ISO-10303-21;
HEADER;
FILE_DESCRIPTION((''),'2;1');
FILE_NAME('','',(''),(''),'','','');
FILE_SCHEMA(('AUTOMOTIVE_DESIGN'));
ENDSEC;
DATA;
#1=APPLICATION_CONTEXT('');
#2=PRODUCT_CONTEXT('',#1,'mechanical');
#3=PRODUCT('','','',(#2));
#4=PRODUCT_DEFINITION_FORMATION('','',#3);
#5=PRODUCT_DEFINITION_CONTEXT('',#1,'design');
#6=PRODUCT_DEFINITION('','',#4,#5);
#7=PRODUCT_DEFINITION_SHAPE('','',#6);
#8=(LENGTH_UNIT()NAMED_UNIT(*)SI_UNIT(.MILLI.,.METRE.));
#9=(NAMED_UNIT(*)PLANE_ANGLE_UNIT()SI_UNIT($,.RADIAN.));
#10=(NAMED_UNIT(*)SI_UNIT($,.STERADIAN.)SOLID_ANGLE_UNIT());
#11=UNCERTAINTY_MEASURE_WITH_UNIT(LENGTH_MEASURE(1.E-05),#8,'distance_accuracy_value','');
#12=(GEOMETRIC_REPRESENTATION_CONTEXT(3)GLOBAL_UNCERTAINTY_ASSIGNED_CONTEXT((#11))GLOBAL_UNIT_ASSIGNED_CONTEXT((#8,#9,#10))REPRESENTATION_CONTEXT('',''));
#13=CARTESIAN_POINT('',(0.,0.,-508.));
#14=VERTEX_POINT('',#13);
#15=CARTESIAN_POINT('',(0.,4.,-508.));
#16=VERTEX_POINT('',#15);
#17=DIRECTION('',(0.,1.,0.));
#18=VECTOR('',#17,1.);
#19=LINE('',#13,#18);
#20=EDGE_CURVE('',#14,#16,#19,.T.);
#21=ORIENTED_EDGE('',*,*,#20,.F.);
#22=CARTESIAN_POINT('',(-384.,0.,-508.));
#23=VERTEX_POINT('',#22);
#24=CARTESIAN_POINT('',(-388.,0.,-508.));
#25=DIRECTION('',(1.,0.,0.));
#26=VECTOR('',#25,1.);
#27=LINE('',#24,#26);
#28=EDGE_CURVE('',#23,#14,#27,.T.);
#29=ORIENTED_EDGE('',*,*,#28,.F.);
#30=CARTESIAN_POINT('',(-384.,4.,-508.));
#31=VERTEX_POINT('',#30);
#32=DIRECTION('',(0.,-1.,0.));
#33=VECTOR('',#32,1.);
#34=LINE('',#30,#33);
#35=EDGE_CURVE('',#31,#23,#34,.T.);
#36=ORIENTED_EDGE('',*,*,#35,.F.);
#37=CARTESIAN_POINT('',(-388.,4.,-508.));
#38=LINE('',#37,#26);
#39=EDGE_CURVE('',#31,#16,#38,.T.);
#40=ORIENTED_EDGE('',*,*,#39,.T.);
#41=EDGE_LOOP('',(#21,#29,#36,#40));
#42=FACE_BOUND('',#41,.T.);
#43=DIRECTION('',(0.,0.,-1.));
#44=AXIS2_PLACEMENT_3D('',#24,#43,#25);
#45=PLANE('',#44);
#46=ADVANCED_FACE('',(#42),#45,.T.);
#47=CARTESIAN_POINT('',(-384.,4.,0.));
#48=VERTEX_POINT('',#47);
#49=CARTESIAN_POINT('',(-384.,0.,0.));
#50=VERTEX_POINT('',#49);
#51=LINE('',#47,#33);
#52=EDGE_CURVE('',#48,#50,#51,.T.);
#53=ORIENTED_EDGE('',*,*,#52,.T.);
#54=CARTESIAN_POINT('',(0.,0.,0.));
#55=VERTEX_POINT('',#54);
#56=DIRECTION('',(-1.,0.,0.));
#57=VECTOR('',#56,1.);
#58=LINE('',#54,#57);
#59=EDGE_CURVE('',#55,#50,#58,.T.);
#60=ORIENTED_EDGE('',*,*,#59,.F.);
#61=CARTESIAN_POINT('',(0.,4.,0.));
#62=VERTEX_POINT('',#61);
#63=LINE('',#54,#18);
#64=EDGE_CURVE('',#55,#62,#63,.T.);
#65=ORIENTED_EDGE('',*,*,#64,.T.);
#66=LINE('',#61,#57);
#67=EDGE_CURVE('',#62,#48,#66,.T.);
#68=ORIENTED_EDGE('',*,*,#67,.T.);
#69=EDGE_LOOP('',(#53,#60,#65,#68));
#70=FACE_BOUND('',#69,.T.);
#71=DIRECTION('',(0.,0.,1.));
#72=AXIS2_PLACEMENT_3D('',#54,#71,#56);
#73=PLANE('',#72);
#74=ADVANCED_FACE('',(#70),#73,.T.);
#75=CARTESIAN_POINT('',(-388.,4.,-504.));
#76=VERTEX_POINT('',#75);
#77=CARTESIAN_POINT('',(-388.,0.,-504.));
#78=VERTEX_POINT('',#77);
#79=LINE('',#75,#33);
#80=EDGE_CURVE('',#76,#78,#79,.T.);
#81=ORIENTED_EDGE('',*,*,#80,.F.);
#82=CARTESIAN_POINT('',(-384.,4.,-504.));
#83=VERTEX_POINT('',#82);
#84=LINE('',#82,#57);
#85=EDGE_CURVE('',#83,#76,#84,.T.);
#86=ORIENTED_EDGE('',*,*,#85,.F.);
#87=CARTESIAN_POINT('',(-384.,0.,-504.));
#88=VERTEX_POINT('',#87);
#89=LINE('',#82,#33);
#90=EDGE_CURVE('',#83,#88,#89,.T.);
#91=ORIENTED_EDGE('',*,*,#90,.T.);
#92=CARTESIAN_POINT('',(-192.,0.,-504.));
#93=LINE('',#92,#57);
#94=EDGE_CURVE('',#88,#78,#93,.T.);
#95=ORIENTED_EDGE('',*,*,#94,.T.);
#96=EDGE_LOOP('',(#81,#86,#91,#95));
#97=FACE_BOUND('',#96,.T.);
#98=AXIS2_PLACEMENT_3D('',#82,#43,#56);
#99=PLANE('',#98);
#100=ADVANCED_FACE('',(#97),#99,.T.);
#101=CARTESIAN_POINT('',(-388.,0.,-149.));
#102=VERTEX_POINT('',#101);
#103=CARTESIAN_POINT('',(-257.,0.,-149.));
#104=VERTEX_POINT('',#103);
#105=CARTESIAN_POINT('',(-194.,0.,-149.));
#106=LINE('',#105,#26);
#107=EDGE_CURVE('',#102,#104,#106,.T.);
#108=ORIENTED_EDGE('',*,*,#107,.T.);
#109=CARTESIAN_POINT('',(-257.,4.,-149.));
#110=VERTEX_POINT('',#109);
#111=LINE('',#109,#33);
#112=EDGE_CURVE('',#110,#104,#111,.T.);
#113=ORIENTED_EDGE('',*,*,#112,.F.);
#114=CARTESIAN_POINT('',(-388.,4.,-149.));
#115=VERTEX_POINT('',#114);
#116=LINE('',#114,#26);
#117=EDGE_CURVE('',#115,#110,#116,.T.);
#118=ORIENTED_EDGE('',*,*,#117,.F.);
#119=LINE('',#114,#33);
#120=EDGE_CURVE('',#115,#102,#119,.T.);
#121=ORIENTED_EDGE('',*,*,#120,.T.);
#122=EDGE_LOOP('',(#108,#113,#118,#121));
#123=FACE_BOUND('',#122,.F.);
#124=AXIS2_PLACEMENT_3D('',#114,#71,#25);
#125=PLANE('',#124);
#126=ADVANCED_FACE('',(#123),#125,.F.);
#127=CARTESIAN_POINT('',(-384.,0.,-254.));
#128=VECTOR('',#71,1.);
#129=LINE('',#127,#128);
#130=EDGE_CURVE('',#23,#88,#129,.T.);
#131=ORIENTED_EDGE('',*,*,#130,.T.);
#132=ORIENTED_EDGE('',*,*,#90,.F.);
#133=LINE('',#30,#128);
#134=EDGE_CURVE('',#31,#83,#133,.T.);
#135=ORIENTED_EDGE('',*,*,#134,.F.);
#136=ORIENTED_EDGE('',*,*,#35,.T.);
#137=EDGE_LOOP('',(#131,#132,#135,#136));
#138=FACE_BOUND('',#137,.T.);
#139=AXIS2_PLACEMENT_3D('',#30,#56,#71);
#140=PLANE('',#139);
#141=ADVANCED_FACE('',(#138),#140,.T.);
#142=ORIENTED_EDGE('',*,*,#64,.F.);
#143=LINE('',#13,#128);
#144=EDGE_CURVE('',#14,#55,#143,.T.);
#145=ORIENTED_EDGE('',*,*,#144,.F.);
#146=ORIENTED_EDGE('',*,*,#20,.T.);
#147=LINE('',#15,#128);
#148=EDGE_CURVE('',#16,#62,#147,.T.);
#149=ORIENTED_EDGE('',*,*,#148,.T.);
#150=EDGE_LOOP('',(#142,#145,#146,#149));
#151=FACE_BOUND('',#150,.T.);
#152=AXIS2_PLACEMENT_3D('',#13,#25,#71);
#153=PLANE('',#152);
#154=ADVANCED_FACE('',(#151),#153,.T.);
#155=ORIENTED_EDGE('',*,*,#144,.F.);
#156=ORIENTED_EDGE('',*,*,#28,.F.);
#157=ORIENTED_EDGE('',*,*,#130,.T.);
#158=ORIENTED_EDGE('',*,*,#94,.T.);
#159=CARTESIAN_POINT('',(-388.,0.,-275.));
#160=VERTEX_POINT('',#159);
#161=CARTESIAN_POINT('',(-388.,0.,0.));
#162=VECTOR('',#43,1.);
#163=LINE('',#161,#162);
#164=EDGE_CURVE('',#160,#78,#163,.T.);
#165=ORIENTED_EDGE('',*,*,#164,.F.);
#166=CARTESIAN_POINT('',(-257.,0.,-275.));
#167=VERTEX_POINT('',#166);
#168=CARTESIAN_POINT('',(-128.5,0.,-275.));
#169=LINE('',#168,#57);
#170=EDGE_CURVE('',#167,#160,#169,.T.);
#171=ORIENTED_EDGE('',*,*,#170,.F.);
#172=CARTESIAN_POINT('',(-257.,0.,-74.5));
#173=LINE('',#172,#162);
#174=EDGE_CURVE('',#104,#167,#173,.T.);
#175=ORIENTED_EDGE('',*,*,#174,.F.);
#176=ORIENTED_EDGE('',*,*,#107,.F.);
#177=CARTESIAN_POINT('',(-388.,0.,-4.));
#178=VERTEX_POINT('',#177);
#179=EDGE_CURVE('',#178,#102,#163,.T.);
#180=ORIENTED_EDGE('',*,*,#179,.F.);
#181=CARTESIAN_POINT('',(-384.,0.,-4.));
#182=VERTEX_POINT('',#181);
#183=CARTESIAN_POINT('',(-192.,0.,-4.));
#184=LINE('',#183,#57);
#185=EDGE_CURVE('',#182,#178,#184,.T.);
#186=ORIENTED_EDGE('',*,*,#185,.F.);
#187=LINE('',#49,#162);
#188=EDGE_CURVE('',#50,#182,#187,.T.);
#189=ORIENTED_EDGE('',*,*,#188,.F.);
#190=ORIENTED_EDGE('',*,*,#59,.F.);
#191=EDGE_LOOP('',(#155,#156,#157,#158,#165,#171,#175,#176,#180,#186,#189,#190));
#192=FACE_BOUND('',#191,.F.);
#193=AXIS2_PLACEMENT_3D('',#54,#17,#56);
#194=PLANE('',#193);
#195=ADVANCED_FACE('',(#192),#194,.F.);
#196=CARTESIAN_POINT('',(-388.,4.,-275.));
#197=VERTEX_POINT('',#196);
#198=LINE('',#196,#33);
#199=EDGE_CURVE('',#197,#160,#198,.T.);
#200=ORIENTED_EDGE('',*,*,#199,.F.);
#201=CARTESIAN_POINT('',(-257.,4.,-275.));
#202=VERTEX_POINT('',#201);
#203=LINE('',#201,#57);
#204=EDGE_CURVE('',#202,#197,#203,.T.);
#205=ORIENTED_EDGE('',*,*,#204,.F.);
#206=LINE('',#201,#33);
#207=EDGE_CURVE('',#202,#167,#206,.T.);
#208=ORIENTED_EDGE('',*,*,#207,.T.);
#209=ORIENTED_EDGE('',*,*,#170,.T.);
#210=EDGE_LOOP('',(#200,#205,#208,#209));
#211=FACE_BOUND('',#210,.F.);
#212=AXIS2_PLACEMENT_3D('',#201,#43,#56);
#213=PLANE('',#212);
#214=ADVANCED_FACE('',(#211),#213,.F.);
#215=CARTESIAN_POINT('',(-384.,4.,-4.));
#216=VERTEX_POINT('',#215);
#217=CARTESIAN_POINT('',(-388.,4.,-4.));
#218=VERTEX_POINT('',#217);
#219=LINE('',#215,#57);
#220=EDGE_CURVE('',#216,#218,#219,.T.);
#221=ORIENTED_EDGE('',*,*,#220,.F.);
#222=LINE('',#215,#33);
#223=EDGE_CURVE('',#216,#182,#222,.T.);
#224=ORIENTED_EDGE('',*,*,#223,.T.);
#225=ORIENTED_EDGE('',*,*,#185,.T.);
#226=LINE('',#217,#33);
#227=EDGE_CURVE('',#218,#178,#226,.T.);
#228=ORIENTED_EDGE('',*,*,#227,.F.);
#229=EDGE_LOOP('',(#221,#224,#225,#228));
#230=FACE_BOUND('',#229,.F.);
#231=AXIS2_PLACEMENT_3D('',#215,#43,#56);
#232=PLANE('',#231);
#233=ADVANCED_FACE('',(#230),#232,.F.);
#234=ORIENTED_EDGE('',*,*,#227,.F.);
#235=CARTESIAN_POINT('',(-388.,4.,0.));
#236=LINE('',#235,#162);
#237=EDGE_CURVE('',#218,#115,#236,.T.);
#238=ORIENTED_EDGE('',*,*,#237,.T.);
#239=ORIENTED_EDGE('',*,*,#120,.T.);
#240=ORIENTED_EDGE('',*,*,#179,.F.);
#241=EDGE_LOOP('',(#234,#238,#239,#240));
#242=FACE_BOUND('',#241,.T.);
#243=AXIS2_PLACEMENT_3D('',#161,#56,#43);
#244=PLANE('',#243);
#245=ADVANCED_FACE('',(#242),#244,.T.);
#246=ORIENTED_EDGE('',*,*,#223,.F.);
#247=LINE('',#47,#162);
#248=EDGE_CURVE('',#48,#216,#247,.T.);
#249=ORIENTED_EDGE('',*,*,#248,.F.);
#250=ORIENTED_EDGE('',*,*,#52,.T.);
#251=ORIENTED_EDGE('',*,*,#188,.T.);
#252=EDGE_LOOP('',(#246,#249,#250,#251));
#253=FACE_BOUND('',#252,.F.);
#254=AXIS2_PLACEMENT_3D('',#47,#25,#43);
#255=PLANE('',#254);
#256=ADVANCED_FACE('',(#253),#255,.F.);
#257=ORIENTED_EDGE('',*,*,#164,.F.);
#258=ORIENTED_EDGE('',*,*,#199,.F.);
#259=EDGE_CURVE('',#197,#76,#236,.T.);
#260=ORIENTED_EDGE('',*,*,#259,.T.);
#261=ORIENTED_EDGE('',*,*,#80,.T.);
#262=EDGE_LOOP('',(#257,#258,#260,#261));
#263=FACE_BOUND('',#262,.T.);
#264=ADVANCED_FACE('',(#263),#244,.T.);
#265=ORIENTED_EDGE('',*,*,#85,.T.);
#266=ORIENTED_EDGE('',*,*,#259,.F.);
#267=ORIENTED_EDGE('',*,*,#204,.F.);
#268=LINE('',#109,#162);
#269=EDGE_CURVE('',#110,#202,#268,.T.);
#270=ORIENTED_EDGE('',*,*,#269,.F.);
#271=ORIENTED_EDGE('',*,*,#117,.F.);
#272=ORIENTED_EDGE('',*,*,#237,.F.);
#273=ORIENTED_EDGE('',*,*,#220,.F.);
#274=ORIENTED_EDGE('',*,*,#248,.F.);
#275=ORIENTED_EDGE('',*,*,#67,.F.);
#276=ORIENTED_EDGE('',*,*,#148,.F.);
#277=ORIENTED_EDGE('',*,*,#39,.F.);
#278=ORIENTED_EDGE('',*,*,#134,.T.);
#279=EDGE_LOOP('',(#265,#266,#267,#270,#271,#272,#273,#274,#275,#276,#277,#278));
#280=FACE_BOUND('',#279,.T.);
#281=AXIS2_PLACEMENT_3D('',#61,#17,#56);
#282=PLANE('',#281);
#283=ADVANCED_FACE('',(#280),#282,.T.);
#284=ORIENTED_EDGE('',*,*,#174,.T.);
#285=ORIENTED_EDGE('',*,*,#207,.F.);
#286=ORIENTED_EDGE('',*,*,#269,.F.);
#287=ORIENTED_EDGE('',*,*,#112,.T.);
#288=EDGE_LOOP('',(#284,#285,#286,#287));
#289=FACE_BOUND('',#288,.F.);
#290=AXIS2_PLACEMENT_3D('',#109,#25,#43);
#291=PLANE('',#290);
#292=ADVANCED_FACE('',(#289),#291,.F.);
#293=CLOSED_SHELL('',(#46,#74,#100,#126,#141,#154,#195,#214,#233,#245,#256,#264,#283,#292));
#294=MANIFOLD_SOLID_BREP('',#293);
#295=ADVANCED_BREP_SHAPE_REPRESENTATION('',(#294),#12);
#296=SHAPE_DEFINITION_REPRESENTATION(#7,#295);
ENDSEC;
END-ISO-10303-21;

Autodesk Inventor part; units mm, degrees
ref_plane "YZ Plane" through (0, 0, 0) normal (1, 0, 0) x (0, 1, 0)
ref_plane "XZ Plane" through (0, 0, 0) normal (0, 1, 0) x (-1, 0, 0)
ref_plane "XY Plane" through (0, 0, 0) normal (0, 0, 1) x (1, 0, 0)
sketch "Эскиз1" plane through (0, 0, 0) normal (0, 1, 0) x (-1, 0, 0)
  line L0 (0, 0) -> (388, 0)
  line L1 (388, 0) -> (388, -508)
  line L2 (388, -508) -> (0, -508)
  line L3 (0, -508) -> (0, 0)
  dimension "d0" = 388
  dimension "d1" = 508
extrude "Выдавливание1" add sketch "Эскиз1" along normal blind 4
sketch "Эскиз2" plane through (0, 4, 0) normal (0, 1, 0) x (1, 0, 0)
  line L0 (-388, 508) -> (-388, 0) projected
  line L1 (-388, 149) -> (-257, 149)
  line L2 (-257, 149) -> (-257, 275)
  line L3 (-257, 275) -> (-388, 275)
  line L4 (-388, 275) -> (-388, 149)
  line L5 (0, 0) -> (-5, 0)
  line L6 (-388, 0) -> (0, 0) projected
  line L7 (-388, 0) -> (-384, 0)
  line L8 (-384, 0) -> (-384, 4)
  line L9 (-384, 4) -> (-388, 4)
  line L10 (-388, 4) -> (-388, 0)
  line L11 (0, 508) -> (-388, 508) projected
  line L12 (-388, 508) -> (-384, 508)
  line L13 (-384, 508) -> (-384, 504)
  line L14 (-384, 504) -> (-388, 504)
  line L15 (-388, 504) -> (-388, 508)
  point P0 (-388, 275)
  dimension "d4" = 126
  dimension "d5" = 131
  dimension "d13" = 149
  dimension "d14" = 4
  dimension "d15" = 4
  dimension "d16" = 4
  dimension "d17" = 4
extrude "Выдавливание3" cut sketch "Эскиз2" against normal blind 10
properties part number "MountingWallSide2"
